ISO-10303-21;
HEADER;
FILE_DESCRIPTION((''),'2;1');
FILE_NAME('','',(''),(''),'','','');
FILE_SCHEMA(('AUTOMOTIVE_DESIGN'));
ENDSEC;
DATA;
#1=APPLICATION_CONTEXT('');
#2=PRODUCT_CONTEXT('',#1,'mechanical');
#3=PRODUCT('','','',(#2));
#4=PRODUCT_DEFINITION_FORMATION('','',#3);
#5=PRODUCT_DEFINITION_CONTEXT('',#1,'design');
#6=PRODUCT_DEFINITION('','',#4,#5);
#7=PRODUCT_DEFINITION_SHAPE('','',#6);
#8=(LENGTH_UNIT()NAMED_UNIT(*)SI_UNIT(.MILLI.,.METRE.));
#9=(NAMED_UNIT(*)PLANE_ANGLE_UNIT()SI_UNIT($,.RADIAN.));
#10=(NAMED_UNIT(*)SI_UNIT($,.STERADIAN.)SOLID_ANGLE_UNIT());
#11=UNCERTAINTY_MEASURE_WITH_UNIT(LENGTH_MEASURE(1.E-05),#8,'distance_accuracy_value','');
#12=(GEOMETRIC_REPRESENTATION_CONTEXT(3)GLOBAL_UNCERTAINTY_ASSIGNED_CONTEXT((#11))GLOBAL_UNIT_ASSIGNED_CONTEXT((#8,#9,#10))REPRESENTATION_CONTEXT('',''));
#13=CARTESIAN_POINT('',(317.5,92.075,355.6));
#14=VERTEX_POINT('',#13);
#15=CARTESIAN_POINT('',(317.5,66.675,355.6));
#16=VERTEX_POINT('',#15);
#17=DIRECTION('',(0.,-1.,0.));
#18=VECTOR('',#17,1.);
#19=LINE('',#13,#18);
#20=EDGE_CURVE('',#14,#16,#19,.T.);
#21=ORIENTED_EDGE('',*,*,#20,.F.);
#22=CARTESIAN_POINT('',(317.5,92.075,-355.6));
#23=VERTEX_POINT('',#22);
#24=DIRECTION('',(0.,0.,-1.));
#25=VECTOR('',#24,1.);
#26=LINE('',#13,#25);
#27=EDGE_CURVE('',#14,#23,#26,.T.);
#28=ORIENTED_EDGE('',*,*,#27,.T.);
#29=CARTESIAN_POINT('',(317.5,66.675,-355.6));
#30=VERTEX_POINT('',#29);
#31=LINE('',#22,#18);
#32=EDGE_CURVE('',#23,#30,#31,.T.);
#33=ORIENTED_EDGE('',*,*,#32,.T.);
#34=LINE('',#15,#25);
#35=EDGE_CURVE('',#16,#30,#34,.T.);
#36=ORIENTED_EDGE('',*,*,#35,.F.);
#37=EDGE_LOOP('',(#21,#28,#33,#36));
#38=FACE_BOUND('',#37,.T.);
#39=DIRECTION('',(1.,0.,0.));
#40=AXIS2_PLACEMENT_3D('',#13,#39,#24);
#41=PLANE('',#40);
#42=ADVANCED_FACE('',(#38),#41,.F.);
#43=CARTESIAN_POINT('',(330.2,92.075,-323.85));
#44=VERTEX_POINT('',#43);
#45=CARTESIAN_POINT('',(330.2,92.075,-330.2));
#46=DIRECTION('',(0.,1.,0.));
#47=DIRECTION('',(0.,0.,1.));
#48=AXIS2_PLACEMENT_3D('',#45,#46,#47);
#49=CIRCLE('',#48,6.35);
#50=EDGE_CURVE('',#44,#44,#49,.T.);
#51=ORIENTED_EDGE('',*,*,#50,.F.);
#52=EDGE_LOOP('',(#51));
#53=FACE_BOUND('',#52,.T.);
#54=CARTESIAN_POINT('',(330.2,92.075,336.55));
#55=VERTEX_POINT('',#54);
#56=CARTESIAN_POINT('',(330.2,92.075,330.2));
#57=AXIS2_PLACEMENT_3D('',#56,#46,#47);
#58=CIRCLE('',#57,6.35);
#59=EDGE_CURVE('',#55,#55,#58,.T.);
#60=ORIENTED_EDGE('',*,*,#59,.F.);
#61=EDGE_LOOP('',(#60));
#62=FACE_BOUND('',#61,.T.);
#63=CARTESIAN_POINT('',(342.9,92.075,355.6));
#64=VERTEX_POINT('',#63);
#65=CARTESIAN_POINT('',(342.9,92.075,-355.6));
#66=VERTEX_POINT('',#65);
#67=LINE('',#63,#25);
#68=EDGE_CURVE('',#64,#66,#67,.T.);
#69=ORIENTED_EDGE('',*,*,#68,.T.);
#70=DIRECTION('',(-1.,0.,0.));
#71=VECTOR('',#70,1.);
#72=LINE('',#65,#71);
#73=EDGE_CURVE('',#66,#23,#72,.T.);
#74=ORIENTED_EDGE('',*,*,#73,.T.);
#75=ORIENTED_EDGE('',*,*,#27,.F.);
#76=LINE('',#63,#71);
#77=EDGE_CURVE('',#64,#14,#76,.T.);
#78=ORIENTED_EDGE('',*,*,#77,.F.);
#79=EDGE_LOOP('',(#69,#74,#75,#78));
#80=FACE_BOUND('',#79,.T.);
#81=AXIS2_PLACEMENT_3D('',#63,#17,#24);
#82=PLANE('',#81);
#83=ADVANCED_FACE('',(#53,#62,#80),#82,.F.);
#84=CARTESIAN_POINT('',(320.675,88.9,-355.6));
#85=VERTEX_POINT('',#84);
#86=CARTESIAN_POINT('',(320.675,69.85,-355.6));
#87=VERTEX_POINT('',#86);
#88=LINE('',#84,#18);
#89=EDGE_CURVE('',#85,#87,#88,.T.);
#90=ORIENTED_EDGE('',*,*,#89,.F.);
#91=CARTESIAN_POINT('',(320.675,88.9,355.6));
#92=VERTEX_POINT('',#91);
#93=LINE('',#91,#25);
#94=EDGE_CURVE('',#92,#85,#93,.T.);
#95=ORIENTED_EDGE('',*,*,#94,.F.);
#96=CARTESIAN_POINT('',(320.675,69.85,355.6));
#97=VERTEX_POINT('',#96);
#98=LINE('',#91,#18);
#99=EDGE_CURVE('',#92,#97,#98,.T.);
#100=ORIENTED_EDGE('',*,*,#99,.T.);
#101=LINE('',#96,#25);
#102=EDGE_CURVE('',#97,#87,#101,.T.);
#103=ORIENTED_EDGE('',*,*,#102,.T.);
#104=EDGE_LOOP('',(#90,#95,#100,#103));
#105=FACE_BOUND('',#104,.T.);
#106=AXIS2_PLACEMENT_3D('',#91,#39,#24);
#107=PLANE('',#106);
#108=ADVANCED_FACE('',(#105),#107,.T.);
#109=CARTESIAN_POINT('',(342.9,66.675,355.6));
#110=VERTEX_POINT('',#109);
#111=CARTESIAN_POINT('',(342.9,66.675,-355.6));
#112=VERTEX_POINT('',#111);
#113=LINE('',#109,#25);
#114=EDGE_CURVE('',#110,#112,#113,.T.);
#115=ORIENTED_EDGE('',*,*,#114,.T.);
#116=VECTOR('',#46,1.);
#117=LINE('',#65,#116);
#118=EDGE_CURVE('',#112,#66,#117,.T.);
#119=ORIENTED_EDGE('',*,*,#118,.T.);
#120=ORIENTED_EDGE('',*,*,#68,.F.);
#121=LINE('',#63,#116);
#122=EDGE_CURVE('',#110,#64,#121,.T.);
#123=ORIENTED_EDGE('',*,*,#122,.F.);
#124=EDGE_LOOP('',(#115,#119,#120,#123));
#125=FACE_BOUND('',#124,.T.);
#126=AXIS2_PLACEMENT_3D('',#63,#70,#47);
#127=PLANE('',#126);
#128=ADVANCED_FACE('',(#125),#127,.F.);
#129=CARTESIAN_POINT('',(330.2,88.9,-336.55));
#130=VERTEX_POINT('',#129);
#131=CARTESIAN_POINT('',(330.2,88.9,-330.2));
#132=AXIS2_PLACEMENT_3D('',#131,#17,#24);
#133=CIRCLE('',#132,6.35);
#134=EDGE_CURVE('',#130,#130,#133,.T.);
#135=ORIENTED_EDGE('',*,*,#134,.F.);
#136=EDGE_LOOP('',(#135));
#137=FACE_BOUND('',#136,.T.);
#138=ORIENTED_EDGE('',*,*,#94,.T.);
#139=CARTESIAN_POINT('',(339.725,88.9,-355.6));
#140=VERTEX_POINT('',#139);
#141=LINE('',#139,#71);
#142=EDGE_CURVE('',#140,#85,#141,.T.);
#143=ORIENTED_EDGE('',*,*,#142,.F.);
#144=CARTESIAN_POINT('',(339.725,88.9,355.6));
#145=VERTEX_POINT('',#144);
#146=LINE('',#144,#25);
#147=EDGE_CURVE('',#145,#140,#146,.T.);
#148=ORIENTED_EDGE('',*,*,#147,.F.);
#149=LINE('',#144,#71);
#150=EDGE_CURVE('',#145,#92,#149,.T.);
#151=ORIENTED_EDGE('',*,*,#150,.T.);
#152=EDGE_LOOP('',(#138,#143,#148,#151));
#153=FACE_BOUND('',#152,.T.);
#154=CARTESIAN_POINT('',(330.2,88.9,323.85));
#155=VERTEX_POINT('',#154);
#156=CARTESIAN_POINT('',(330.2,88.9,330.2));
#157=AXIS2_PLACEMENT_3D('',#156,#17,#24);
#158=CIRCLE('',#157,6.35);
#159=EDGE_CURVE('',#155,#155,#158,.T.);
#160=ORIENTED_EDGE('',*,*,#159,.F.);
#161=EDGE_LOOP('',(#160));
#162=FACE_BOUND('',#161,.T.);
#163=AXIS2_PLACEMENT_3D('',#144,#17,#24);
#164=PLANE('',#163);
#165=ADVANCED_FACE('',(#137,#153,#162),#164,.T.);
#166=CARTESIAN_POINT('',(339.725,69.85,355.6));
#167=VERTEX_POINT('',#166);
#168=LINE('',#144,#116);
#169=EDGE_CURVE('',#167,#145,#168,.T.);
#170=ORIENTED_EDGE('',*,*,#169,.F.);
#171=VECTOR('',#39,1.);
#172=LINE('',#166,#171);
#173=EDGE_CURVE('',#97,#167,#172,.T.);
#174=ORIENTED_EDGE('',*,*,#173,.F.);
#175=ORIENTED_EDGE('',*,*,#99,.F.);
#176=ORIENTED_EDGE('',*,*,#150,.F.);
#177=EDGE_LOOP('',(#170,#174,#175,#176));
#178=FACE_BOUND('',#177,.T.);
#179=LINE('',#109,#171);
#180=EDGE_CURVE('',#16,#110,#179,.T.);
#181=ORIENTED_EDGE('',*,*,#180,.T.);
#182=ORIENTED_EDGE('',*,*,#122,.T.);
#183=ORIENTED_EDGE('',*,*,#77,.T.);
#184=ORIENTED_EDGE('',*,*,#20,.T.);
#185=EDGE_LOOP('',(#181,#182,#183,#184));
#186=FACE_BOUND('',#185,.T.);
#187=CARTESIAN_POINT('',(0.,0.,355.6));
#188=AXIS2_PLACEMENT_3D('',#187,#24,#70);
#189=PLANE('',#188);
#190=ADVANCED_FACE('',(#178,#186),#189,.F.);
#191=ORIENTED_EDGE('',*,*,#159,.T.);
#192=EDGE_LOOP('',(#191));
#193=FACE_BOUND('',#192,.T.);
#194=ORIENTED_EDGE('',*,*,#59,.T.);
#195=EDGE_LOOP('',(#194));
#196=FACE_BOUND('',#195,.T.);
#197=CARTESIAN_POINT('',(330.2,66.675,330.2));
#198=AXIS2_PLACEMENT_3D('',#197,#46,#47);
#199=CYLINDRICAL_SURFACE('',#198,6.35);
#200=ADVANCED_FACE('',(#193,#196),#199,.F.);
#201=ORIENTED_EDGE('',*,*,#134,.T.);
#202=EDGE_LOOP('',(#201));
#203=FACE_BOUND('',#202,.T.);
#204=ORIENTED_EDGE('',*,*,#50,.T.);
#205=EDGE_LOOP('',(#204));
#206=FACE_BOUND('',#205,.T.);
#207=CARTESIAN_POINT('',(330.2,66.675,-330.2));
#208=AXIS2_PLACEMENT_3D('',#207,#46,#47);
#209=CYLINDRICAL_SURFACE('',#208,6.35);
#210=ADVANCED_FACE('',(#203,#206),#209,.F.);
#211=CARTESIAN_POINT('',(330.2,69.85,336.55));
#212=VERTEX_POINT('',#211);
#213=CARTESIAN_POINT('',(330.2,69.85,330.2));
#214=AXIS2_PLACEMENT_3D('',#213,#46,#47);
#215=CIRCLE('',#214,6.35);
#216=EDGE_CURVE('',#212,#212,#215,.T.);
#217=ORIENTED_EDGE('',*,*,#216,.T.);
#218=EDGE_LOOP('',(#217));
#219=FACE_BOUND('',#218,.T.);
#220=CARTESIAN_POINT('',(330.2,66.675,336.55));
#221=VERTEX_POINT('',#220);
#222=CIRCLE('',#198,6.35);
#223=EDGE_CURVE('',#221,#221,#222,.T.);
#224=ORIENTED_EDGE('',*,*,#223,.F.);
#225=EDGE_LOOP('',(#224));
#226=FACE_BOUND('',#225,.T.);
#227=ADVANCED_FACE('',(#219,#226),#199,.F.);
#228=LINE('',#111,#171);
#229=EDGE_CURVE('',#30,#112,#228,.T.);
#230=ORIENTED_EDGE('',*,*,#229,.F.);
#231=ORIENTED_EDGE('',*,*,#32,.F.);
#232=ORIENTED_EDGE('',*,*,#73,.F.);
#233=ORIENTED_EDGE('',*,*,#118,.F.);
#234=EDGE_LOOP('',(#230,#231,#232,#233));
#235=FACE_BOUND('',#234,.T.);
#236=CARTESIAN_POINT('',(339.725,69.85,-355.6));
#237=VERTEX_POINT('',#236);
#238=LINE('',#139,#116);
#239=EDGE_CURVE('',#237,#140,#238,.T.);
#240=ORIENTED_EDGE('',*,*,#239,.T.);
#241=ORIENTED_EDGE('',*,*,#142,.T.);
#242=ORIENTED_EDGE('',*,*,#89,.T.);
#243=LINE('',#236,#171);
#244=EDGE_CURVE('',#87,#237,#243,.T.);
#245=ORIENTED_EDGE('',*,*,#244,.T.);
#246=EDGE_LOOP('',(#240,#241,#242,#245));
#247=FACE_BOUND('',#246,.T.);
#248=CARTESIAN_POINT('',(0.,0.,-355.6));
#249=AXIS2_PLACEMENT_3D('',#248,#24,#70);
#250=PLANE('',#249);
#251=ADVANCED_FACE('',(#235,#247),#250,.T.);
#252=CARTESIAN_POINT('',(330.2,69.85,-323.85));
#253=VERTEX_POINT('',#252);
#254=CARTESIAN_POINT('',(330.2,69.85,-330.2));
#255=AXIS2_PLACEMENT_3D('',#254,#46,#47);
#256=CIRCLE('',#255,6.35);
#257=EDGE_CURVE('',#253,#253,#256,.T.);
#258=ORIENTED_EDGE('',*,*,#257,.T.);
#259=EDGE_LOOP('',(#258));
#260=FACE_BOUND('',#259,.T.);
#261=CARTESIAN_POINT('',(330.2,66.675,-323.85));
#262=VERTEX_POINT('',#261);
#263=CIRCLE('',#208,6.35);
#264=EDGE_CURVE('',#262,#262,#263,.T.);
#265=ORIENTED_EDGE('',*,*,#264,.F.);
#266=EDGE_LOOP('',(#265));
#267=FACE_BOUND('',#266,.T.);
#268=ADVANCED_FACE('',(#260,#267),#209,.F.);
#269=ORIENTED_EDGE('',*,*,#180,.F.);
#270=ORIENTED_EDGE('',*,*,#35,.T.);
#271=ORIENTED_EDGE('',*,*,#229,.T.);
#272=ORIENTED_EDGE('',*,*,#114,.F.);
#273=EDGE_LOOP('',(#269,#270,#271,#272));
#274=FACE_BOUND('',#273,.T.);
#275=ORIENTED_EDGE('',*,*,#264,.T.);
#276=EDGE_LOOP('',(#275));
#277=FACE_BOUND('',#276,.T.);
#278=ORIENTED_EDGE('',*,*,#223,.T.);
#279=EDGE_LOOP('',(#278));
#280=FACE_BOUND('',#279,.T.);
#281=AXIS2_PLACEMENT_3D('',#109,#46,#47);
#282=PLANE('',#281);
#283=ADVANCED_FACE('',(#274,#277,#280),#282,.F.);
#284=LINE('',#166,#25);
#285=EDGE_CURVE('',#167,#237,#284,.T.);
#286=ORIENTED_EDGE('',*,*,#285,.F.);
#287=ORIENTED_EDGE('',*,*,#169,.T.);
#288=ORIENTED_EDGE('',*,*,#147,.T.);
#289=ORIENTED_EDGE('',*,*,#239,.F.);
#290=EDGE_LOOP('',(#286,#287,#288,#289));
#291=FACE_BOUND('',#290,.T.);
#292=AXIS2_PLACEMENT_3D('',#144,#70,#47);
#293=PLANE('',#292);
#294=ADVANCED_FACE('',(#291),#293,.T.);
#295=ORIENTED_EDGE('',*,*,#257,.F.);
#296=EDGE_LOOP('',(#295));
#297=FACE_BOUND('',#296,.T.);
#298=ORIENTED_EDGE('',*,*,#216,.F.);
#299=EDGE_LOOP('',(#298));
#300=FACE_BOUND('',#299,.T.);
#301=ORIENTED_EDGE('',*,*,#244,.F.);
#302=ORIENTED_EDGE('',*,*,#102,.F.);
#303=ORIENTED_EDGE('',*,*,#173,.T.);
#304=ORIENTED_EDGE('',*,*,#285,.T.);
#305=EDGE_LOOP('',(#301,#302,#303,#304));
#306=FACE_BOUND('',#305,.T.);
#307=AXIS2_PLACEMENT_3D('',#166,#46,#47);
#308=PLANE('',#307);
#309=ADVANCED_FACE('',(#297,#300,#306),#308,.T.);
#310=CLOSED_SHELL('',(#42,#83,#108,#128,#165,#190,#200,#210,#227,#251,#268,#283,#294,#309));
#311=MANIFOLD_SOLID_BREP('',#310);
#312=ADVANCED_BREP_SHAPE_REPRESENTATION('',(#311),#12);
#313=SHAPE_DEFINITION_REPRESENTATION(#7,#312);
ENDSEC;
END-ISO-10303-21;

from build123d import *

# Parameters (mm, degrees)
BOSS_EXTRUDE1_DEPTH      = 355.6
BOSS_EXTRUDE1_DEPTH_BACK = 355.6
SKETCH1_W                = 25.4
SKETCH1_H                = 25.4
SKETCH1_W_2              = 19.05
SKETCH1_H_2              = 19.05
SKETCH2_R                = 6.35
CUT_EXTRUDE1_DEPTH       = 495.648289191


with BuildPart() as part:
    # Sketch1 → Boss-Extrude1 (new, two sides: drawn at the far end of the back side and taken through both)
    with BuildSketch(Plane.XY.offset(-BOSS_EXTRUDE1_DEPTH_BACK)):
        with Locations((330.2, 79.375)):
            Rectangle(SKETCH1_W, SKETCH1_H)
        with Locations((330.2, 79.375)):
            Rectangle(SKETCH1_W_2, SKETCH1_H_2, mode=Mode.SUBTRACT)
    extrude(amount=BOSS_EXTRUDE1_DEPTH + BOSS_EXTRUDE1_DEPTH_BACK)

    # Sketch2 → Cut-Extrude1 (cut, through all)
    with BuildSketch(Plane(origin=(0, 92.075, 0), x_dir=(1, 0, 0), z_dir=(0, 1, 0))):
        with Locations(Location((330.2, -330.2, 0), (0, 0, 270))):
            Circle(SKETCH2_R)
        with Locations(Location((330.2, 330.2, 0), (0, 0, 270))):
            Circle(SKETCH2_R)
    extrude(amount=-CUT_EXTRUDE1_DEPTH, mode=Mode.SUBTRACT)


solid = part.part
